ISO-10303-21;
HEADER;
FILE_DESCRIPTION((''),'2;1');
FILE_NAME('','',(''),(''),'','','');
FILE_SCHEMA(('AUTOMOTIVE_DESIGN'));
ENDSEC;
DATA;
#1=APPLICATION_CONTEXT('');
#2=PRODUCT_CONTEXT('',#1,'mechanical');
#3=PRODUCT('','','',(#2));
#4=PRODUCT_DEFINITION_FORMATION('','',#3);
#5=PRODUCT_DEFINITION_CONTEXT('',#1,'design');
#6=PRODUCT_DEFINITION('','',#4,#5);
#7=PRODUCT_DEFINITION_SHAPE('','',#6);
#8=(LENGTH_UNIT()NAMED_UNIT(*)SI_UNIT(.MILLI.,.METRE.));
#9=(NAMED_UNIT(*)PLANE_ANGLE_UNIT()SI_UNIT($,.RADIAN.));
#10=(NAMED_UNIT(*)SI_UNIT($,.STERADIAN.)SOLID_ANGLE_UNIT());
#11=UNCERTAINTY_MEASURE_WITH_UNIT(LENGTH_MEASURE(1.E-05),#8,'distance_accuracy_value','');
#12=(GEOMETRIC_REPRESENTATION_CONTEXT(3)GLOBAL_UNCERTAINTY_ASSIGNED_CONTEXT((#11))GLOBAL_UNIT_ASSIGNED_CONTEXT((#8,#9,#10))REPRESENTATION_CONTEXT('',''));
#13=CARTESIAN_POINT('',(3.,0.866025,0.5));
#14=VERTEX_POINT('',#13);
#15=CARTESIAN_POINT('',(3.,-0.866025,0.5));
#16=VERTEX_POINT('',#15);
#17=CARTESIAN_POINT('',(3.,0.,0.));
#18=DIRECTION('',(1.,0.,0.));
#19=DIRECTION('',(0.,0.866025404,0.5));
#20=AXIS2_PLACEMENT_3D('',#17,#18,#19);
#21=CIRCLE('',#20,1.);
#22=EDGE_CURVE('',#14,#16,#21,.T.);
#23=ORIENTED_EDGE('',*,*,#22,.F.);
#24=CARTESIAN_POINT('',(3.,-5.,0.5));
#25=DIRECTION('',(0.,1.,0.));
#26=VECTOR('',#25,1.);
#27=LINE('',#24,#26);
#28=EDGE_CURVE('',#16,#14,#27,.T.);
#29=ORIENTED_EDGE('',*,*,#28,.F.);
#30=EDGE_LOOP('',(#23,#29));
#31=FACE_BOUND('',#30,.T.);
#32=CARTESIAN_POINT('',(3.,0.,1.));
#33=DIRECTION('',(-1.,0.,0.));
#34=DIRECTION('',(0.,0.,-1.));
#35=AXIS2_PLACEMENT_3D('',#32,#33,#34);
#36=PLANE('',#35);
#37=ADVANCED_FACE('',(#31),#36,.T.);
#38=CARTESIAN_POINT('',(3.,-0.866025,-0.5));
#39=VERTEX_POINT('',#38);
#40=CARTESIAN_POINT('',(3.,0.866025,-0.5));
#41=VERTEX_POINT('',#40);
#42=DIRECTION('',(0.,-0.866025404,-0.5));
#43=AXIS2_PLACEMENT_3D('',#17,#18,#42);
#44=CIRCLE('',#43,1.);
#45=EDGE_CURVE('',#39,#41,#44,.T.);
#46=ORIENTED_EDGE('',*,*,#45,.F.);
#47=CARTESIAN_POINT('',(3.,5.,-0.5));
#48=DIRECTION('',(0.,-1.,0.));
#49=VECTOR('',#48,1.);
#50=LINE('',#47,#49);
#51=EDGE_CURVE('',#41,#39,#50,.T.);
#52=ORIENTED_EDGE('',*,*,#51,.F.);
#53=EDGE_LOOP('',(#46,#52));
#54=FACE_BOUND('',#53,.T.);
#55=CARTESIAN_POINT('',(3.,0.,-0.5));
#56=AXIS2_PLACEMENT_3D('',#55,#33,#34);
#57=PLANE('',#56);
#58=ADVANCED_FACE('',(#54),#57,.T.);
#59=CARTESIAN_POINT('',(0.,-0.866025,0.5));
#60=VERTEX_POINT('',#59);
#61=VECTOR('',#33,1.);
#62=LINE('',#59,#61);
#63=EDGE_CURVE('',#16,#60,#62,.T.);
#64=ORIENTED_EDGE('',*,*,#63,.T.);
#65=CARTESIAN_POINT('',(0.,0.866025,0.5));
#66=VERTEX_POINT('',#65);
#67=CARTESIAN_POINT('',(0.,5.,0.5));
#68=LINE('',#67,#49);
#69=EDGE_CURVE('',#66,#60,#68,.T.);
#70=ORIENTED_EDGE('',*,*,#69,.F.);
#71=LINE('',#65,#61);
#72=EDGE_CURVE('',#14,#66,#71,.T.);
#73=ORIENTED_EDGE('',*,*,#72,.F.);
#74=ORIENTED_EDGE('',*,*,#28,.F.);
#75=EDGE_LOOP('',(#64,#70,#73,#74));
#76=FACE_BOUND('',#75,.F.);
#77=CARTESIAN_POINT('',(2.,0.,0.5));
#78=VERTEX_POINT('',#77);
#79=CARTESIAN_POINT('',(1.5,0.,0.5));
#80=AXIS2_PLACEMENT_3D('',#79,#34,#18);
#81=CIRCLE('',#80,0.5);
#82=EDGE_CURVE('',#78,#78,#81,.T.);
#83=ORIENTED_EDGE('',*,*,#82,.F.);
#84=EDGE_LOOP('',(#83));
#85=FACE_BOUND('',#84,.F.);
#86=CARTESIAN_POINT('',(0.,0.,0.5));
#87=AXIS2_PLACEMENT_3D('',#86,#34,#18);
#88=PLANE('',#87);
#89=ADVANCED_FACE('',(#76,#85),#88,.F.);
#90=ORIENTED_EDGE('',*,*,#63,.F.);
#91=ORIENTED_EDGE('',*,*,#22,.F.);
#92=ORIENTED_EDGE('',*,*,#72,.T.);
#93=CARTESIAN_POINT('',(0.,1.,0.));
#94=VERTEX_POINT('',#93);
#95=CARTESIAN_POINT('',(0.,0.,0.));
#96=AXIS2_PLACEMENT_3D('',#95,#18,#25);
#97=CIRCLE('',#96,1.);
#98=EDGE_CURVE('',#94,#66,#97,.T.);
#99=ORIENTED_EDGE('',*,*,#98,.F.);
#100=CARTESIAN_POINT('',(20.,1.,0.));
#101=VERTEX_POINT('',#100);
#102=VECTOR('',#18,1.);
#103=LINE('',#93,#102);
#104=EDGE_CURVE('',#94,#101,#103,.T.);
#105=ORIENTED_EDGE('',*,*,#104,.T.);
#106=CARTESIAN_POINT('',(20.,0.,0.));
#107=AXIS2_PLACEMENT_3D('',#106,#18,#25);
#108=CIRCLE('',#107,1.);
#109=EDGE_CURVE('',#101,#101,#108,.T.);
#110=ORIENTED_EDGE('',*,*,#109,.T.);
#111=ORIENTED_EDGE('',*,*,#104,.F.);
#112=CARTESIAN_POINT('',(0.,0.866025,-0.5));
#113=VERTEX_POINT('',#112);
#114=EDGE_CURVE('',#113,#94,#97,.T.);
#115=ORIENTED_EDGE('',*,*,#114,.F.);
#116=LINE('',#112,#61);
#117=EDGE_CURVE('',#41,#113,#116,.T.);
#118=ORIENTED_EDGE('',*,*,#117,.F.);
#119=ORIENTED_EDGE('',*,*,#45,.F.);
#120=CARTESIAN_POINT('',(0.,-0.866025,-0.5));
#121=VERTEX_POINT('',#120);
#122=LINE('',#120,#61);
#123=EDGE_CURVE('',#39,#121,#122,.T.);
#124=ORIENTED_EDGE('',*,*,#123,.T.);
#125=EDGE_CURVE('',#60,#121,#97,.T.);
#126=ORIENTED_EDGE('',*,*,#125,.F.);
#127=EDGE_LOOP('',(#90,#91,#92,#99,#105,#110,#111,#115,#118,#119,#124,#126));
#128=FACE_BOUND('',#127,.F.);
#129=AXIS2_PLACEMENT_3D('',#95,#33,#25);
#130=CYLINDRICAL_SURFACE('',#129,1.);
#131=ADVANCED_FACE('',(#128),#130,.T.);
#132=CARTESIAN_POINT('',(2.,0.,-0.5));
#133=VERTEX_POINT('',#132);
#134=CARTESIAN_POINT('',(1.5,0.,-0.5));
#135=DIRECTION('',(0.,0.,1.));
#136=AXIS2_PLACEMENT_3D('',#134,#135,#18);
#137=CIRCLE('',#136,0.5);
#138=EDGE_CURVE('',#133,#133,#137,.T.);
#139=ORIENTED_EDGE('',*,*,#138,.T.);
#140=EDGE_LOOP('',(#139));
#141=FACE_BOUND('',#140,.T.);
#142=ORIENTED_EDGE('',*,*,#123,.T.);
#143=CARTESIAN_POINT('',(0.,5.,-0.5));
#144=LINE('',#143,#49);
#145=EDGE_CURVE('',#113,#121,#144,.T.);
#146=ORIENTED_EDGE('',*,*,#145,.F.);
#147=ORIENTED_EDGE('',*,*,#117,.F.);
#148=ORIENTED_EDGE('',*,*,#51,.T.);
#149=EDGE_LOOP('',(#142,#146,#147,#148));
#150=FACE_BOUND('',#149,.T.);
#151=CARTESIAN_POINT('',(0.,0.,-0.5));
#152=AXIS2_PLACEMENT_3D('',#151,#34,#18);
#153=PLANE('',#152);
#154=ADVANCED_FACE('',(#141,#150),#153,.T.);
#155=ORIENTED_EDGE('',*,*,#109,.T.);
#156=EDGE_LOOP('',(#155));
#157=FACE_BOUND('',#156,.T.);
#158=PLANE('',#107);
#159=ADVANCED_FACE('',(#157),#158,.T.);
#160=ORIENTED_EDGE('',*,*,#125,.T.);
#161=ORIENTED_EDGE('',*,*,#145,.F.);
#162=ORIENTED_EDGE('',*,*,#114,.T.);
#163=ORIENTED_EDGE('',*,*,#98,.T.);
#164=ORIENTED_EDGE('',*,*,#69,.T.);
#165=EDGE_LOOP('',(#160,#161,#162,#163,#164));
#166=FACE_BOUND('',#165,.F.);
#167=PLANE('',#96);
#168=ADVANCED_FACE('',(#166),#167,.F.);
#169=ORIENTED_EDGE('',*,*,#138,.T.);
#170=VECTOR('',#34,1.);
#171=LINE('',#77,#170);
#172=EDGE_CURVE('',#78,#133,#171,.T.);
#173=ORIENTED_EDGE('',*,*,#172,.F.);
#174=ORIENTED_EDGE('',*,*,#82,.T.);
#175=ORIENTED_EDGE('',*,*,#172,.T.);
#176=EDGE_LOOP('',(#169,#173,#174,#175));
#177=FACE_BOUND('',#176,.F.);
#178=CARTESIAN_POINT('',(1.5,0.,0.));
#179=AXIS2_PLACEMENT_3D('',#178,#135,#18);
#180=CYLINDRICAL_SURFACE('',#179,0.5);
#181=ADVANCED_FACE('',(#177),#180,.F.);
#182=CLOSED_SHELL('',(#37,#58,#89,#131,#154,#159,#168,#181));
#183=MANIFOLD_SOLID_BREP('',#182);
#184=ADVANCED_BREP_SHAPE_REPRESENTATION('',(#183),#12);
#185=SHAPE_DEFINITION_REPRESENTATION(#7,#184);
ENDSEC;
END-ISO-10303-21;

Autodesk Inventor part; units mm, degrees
ref_plane "YZ Plane" through (0, 0, 0) normal (1, 0, 0) x (0, 1, 0)
ref_plane "XZ Plane" through (0, 0, 0) normal (0, 1, 0) x (-1, 0, 0)
ref_plane "XY Plane" through (0, 0, 0) normal (0, 0, 1) x (1, 0, 0)
sketch "草图1" plane through (0, 0, 0) normal (1, 0, 0) x (0, 1, 0)
  circle A0 centre (0, 0) radius 1
  dimension "直径" = 2
extrude "拉伸1" add sketch "草图1" along normal blind 20
sketch "草图3" plane through (0, 0, 0) normal (0, 1, 0) x (-1, 0, 0)
  line L0 (-20, 1) -> (-20, -1) projected
  line L1 (0, -1) -> (0, 1) projected
  line L2 (0, 1) -> (-20, 1) projected
  line L3 (0, -1) -> (-20, -1) projected
  line L4 (-3, 1) -> (-3, -1)
  line L5 (0, 0.5) -> (-3, 0.5)
  line L6 (0, -0.5) -> (-3, -0.5)
  line L7 (-3, 0) -> (0, 0) construction
  dimension "长" = 3
  dimension "距离" = 1
extrude "拉伸2" cut sketch "草图3" along normal mid plane 10 contours L2 L1 L5 L4 | L4 L6 L1 L3
sketch "草图4" plane through (0, 0, 0) normal (0, 0, 1) x (1, 0, 0)
  line L0 (0, 1) -> (20, 1) projected
  line L1 (0, -1) -> (20, -1) projected
  line L2 (0, 0.866) -> (0, -0.866) projected
  line L3 (0, 0) -> (1.5, 0)
  circle A0 centre (1.5, 0) radius 0.5
  dimension "孔位置1" = 1.5
  dimension "孔径" = 1
extrude "拉伸3" cut sketch "草图4" along normal mid plane 10
properties part number "连接销1" material "木材(桦木)"
